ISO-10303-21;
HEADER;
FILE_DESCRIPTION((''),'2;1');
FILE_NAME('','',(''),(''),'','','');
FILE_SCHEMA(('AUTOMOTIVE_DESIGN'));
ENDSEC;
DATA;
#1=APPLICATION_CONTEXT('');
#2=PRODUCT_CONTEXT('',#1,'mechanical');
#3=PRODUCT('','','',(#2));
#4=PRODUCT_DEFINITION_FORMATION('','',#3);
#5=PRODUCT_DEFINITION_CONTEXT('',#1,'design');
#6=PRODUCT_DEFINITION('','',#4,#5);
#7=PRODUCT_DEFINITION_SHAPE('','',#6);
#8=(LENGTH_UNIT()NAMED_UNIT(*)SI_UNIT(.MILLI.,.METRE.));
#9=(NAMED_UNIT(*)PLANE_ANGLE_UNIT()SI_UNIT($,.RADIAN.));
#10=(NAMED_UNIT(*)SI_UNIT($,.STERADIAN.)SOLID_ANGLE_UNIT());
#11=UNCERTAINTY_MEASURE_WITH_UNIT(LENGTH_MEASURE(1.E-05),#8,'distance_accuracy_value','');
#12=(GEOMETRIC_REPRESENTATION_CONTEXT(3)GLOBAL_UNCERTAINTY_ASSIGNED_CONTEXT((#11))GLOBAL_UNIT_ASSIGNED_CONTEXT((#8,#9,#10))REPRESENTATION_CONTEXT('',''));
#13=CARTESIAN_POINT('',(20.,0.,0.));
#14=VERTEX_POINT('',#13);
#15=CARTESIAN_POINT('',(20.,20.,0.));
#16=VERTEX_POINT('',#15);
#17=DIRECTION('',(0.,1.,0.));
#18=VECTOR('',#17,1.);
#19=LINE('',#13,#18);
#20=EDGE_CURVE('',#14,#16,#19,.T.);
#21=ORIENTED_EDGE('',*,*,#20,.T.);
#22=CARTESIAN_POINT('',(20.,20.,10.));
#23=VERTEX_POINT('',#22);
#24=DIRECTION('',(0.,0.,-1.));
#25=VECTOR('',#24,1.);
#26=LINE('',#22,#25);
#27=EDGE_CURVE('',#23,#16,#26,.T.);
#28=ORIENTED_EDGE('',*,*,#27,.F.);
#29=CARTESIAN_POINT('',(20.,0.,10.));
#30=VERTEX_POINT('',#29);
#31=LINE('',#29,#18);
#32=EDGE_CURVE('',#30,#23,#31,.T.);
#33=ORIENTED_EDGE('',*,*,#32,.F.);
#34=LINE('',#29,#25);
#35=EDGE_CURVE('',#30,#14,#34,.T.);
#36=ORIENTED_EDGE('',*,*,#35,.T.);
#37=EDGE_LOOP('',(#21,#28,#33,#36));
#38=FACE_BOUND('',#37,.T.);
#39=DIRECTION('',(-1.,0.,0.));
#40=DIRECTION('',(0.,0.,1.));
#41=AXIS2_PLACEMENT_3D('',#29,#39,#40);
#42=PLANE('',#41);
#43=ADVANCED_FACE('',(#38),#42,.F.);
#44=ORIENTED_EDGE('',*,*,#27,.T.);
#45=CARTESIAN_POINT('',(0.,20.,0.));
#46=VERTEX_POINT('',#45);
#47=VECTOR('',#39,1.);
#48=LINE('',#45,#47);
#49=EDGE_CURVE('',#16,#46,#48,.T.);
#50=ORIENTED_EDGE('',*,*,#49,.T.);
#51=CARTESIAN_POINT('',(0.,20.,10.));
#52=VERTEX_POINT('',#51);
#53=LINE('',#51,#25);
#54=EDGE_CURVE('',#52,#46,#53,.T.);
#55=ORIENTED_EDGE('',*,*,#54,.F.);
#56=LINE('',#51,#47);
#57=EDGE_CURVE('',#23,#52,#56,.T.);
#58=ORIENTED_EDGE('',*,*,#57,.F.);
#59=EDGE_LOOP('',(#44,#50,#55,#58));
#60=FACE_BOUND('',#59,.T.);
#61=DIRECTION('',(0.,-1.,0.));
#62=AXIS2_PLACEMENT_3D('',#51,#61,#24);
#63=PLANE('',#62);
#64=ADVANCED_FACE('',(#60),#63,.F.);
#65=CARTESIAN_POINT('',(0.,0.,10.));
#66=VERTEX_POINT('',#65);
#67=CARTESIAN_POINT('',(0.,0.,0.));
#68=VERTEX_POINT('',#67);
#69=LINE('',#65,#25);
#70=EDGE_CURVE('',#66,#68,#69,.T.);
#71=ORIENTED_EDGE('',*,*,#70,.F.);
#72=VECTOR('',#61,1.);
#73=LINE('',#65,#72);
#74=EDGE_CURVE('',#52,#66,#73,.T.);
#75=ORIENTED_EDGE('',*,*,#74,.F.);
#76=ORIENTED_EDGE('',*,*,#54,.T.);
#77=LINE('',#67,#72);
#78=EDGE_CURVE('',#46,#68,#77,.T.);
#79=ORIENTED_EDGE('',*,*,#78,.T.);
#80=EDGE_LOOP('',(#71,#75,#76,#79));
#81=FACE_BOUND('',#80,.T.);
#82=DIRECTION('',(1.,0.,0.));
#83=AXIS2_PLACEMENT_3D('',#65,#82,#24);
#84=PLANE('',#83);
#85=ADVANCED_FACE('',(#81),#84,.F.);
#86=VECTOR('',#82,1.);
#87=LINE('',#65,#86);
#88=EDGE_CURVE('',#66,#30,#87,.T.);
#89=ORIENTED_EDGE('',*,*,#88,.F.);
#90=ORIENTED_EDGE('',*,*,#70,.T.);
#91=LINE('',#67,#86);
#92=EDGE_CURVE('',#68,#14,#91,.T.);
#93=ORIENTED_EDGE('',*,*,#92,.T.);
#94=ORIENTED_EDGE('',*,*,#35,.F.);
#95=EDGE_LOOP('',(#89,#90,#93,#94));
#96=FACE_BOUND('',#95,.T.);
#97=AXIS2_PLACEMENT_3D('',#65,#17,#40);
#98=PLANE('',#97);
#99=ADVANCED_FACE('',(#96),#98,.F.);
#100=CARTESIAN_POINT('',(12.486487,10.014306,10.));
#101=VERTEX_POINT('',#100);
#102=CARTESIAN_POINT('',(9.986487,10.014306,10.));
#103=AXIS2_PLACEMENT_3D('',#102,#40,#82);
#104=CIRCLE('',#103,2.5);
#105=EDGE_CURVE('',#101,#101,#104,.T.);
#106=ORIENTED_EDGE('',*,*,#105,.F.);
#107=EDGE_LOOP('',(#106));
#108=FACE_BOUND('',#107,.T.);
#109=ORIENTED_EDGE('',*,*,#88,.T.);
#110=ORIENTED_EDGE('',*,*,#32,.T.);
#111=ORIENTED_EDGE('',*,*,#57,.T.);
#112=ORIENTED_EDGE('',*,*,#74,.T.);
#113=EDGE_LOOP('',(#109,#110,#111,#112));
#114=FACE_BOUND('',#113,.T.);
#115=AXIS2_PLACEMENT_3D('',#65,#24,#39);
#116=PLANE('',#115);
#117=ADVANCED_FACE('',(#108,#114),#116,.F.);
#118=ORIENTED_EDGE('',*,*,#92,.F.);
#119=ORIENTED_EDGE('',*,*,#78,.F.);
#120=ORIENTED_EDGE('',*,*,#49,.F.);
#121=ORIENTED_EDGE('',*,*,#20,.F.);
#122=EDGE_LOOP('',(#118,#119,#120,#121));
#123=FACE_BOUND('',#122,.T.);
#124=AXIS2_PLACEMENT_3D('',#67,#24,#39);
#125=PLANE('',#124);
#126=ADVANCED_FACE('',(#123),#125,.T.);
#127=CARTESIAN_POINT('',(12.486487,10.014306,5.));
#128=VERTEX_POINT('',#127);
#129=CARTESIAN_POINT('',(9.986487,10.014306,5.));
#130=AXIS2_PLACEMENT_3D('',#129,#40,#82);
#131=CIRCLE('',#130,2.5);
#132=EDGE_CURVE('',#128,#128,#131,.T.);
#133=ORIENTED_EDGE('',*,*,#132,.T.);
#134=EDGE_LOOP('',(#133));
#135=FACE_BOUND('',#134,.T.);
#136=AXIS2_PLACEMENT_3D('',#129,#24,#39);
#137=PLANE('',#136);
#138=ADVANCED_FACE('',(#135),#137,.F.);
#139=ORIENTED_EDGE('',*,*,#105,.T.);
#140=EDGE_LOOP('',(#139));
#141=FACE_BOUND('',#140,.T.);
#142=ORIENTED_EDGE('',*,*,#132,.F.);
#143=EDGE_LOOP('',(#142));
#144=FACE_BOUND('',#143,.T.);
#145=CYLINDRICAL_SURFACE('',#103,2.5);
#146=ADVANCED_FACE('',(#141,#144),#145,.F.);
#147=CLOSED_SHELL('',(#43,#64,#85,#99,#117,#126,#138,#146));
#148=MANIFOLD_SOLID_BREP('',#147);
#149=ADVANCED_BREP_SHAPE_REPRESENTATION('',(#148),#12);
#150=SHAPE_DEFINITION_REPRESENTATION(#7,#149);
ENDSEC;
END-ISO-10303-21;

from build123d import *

# Parameters (mm, degrees)
SKETCH_1_W          = 20
SKETCH_1_H          = 20
BASEBOX_DEPTH       = 10
HOLE_WIZARD_1_D     = 5
HOLE_WIZARD_1_DEPTH = 5


with BuildPart() as part:
    # 草图1 → BaseBox (new body)
    with BuildSketch(Plane.XY):
        with Locations((10, 10)):
            Rectangle(SKETCH_1_W, SKETCH_1_H)
    extrude(amount=BASEBOX_DEPTH)

    # 孔1
    with Locations(Plane.XY.offset(10)):
        with Locations((9.986487375, 10.014305599)):
            Hole(HOLE_WIZARD_1_D / 2, depth=HOLE_WIZARD_1_DEPTH)


solid = part.part
